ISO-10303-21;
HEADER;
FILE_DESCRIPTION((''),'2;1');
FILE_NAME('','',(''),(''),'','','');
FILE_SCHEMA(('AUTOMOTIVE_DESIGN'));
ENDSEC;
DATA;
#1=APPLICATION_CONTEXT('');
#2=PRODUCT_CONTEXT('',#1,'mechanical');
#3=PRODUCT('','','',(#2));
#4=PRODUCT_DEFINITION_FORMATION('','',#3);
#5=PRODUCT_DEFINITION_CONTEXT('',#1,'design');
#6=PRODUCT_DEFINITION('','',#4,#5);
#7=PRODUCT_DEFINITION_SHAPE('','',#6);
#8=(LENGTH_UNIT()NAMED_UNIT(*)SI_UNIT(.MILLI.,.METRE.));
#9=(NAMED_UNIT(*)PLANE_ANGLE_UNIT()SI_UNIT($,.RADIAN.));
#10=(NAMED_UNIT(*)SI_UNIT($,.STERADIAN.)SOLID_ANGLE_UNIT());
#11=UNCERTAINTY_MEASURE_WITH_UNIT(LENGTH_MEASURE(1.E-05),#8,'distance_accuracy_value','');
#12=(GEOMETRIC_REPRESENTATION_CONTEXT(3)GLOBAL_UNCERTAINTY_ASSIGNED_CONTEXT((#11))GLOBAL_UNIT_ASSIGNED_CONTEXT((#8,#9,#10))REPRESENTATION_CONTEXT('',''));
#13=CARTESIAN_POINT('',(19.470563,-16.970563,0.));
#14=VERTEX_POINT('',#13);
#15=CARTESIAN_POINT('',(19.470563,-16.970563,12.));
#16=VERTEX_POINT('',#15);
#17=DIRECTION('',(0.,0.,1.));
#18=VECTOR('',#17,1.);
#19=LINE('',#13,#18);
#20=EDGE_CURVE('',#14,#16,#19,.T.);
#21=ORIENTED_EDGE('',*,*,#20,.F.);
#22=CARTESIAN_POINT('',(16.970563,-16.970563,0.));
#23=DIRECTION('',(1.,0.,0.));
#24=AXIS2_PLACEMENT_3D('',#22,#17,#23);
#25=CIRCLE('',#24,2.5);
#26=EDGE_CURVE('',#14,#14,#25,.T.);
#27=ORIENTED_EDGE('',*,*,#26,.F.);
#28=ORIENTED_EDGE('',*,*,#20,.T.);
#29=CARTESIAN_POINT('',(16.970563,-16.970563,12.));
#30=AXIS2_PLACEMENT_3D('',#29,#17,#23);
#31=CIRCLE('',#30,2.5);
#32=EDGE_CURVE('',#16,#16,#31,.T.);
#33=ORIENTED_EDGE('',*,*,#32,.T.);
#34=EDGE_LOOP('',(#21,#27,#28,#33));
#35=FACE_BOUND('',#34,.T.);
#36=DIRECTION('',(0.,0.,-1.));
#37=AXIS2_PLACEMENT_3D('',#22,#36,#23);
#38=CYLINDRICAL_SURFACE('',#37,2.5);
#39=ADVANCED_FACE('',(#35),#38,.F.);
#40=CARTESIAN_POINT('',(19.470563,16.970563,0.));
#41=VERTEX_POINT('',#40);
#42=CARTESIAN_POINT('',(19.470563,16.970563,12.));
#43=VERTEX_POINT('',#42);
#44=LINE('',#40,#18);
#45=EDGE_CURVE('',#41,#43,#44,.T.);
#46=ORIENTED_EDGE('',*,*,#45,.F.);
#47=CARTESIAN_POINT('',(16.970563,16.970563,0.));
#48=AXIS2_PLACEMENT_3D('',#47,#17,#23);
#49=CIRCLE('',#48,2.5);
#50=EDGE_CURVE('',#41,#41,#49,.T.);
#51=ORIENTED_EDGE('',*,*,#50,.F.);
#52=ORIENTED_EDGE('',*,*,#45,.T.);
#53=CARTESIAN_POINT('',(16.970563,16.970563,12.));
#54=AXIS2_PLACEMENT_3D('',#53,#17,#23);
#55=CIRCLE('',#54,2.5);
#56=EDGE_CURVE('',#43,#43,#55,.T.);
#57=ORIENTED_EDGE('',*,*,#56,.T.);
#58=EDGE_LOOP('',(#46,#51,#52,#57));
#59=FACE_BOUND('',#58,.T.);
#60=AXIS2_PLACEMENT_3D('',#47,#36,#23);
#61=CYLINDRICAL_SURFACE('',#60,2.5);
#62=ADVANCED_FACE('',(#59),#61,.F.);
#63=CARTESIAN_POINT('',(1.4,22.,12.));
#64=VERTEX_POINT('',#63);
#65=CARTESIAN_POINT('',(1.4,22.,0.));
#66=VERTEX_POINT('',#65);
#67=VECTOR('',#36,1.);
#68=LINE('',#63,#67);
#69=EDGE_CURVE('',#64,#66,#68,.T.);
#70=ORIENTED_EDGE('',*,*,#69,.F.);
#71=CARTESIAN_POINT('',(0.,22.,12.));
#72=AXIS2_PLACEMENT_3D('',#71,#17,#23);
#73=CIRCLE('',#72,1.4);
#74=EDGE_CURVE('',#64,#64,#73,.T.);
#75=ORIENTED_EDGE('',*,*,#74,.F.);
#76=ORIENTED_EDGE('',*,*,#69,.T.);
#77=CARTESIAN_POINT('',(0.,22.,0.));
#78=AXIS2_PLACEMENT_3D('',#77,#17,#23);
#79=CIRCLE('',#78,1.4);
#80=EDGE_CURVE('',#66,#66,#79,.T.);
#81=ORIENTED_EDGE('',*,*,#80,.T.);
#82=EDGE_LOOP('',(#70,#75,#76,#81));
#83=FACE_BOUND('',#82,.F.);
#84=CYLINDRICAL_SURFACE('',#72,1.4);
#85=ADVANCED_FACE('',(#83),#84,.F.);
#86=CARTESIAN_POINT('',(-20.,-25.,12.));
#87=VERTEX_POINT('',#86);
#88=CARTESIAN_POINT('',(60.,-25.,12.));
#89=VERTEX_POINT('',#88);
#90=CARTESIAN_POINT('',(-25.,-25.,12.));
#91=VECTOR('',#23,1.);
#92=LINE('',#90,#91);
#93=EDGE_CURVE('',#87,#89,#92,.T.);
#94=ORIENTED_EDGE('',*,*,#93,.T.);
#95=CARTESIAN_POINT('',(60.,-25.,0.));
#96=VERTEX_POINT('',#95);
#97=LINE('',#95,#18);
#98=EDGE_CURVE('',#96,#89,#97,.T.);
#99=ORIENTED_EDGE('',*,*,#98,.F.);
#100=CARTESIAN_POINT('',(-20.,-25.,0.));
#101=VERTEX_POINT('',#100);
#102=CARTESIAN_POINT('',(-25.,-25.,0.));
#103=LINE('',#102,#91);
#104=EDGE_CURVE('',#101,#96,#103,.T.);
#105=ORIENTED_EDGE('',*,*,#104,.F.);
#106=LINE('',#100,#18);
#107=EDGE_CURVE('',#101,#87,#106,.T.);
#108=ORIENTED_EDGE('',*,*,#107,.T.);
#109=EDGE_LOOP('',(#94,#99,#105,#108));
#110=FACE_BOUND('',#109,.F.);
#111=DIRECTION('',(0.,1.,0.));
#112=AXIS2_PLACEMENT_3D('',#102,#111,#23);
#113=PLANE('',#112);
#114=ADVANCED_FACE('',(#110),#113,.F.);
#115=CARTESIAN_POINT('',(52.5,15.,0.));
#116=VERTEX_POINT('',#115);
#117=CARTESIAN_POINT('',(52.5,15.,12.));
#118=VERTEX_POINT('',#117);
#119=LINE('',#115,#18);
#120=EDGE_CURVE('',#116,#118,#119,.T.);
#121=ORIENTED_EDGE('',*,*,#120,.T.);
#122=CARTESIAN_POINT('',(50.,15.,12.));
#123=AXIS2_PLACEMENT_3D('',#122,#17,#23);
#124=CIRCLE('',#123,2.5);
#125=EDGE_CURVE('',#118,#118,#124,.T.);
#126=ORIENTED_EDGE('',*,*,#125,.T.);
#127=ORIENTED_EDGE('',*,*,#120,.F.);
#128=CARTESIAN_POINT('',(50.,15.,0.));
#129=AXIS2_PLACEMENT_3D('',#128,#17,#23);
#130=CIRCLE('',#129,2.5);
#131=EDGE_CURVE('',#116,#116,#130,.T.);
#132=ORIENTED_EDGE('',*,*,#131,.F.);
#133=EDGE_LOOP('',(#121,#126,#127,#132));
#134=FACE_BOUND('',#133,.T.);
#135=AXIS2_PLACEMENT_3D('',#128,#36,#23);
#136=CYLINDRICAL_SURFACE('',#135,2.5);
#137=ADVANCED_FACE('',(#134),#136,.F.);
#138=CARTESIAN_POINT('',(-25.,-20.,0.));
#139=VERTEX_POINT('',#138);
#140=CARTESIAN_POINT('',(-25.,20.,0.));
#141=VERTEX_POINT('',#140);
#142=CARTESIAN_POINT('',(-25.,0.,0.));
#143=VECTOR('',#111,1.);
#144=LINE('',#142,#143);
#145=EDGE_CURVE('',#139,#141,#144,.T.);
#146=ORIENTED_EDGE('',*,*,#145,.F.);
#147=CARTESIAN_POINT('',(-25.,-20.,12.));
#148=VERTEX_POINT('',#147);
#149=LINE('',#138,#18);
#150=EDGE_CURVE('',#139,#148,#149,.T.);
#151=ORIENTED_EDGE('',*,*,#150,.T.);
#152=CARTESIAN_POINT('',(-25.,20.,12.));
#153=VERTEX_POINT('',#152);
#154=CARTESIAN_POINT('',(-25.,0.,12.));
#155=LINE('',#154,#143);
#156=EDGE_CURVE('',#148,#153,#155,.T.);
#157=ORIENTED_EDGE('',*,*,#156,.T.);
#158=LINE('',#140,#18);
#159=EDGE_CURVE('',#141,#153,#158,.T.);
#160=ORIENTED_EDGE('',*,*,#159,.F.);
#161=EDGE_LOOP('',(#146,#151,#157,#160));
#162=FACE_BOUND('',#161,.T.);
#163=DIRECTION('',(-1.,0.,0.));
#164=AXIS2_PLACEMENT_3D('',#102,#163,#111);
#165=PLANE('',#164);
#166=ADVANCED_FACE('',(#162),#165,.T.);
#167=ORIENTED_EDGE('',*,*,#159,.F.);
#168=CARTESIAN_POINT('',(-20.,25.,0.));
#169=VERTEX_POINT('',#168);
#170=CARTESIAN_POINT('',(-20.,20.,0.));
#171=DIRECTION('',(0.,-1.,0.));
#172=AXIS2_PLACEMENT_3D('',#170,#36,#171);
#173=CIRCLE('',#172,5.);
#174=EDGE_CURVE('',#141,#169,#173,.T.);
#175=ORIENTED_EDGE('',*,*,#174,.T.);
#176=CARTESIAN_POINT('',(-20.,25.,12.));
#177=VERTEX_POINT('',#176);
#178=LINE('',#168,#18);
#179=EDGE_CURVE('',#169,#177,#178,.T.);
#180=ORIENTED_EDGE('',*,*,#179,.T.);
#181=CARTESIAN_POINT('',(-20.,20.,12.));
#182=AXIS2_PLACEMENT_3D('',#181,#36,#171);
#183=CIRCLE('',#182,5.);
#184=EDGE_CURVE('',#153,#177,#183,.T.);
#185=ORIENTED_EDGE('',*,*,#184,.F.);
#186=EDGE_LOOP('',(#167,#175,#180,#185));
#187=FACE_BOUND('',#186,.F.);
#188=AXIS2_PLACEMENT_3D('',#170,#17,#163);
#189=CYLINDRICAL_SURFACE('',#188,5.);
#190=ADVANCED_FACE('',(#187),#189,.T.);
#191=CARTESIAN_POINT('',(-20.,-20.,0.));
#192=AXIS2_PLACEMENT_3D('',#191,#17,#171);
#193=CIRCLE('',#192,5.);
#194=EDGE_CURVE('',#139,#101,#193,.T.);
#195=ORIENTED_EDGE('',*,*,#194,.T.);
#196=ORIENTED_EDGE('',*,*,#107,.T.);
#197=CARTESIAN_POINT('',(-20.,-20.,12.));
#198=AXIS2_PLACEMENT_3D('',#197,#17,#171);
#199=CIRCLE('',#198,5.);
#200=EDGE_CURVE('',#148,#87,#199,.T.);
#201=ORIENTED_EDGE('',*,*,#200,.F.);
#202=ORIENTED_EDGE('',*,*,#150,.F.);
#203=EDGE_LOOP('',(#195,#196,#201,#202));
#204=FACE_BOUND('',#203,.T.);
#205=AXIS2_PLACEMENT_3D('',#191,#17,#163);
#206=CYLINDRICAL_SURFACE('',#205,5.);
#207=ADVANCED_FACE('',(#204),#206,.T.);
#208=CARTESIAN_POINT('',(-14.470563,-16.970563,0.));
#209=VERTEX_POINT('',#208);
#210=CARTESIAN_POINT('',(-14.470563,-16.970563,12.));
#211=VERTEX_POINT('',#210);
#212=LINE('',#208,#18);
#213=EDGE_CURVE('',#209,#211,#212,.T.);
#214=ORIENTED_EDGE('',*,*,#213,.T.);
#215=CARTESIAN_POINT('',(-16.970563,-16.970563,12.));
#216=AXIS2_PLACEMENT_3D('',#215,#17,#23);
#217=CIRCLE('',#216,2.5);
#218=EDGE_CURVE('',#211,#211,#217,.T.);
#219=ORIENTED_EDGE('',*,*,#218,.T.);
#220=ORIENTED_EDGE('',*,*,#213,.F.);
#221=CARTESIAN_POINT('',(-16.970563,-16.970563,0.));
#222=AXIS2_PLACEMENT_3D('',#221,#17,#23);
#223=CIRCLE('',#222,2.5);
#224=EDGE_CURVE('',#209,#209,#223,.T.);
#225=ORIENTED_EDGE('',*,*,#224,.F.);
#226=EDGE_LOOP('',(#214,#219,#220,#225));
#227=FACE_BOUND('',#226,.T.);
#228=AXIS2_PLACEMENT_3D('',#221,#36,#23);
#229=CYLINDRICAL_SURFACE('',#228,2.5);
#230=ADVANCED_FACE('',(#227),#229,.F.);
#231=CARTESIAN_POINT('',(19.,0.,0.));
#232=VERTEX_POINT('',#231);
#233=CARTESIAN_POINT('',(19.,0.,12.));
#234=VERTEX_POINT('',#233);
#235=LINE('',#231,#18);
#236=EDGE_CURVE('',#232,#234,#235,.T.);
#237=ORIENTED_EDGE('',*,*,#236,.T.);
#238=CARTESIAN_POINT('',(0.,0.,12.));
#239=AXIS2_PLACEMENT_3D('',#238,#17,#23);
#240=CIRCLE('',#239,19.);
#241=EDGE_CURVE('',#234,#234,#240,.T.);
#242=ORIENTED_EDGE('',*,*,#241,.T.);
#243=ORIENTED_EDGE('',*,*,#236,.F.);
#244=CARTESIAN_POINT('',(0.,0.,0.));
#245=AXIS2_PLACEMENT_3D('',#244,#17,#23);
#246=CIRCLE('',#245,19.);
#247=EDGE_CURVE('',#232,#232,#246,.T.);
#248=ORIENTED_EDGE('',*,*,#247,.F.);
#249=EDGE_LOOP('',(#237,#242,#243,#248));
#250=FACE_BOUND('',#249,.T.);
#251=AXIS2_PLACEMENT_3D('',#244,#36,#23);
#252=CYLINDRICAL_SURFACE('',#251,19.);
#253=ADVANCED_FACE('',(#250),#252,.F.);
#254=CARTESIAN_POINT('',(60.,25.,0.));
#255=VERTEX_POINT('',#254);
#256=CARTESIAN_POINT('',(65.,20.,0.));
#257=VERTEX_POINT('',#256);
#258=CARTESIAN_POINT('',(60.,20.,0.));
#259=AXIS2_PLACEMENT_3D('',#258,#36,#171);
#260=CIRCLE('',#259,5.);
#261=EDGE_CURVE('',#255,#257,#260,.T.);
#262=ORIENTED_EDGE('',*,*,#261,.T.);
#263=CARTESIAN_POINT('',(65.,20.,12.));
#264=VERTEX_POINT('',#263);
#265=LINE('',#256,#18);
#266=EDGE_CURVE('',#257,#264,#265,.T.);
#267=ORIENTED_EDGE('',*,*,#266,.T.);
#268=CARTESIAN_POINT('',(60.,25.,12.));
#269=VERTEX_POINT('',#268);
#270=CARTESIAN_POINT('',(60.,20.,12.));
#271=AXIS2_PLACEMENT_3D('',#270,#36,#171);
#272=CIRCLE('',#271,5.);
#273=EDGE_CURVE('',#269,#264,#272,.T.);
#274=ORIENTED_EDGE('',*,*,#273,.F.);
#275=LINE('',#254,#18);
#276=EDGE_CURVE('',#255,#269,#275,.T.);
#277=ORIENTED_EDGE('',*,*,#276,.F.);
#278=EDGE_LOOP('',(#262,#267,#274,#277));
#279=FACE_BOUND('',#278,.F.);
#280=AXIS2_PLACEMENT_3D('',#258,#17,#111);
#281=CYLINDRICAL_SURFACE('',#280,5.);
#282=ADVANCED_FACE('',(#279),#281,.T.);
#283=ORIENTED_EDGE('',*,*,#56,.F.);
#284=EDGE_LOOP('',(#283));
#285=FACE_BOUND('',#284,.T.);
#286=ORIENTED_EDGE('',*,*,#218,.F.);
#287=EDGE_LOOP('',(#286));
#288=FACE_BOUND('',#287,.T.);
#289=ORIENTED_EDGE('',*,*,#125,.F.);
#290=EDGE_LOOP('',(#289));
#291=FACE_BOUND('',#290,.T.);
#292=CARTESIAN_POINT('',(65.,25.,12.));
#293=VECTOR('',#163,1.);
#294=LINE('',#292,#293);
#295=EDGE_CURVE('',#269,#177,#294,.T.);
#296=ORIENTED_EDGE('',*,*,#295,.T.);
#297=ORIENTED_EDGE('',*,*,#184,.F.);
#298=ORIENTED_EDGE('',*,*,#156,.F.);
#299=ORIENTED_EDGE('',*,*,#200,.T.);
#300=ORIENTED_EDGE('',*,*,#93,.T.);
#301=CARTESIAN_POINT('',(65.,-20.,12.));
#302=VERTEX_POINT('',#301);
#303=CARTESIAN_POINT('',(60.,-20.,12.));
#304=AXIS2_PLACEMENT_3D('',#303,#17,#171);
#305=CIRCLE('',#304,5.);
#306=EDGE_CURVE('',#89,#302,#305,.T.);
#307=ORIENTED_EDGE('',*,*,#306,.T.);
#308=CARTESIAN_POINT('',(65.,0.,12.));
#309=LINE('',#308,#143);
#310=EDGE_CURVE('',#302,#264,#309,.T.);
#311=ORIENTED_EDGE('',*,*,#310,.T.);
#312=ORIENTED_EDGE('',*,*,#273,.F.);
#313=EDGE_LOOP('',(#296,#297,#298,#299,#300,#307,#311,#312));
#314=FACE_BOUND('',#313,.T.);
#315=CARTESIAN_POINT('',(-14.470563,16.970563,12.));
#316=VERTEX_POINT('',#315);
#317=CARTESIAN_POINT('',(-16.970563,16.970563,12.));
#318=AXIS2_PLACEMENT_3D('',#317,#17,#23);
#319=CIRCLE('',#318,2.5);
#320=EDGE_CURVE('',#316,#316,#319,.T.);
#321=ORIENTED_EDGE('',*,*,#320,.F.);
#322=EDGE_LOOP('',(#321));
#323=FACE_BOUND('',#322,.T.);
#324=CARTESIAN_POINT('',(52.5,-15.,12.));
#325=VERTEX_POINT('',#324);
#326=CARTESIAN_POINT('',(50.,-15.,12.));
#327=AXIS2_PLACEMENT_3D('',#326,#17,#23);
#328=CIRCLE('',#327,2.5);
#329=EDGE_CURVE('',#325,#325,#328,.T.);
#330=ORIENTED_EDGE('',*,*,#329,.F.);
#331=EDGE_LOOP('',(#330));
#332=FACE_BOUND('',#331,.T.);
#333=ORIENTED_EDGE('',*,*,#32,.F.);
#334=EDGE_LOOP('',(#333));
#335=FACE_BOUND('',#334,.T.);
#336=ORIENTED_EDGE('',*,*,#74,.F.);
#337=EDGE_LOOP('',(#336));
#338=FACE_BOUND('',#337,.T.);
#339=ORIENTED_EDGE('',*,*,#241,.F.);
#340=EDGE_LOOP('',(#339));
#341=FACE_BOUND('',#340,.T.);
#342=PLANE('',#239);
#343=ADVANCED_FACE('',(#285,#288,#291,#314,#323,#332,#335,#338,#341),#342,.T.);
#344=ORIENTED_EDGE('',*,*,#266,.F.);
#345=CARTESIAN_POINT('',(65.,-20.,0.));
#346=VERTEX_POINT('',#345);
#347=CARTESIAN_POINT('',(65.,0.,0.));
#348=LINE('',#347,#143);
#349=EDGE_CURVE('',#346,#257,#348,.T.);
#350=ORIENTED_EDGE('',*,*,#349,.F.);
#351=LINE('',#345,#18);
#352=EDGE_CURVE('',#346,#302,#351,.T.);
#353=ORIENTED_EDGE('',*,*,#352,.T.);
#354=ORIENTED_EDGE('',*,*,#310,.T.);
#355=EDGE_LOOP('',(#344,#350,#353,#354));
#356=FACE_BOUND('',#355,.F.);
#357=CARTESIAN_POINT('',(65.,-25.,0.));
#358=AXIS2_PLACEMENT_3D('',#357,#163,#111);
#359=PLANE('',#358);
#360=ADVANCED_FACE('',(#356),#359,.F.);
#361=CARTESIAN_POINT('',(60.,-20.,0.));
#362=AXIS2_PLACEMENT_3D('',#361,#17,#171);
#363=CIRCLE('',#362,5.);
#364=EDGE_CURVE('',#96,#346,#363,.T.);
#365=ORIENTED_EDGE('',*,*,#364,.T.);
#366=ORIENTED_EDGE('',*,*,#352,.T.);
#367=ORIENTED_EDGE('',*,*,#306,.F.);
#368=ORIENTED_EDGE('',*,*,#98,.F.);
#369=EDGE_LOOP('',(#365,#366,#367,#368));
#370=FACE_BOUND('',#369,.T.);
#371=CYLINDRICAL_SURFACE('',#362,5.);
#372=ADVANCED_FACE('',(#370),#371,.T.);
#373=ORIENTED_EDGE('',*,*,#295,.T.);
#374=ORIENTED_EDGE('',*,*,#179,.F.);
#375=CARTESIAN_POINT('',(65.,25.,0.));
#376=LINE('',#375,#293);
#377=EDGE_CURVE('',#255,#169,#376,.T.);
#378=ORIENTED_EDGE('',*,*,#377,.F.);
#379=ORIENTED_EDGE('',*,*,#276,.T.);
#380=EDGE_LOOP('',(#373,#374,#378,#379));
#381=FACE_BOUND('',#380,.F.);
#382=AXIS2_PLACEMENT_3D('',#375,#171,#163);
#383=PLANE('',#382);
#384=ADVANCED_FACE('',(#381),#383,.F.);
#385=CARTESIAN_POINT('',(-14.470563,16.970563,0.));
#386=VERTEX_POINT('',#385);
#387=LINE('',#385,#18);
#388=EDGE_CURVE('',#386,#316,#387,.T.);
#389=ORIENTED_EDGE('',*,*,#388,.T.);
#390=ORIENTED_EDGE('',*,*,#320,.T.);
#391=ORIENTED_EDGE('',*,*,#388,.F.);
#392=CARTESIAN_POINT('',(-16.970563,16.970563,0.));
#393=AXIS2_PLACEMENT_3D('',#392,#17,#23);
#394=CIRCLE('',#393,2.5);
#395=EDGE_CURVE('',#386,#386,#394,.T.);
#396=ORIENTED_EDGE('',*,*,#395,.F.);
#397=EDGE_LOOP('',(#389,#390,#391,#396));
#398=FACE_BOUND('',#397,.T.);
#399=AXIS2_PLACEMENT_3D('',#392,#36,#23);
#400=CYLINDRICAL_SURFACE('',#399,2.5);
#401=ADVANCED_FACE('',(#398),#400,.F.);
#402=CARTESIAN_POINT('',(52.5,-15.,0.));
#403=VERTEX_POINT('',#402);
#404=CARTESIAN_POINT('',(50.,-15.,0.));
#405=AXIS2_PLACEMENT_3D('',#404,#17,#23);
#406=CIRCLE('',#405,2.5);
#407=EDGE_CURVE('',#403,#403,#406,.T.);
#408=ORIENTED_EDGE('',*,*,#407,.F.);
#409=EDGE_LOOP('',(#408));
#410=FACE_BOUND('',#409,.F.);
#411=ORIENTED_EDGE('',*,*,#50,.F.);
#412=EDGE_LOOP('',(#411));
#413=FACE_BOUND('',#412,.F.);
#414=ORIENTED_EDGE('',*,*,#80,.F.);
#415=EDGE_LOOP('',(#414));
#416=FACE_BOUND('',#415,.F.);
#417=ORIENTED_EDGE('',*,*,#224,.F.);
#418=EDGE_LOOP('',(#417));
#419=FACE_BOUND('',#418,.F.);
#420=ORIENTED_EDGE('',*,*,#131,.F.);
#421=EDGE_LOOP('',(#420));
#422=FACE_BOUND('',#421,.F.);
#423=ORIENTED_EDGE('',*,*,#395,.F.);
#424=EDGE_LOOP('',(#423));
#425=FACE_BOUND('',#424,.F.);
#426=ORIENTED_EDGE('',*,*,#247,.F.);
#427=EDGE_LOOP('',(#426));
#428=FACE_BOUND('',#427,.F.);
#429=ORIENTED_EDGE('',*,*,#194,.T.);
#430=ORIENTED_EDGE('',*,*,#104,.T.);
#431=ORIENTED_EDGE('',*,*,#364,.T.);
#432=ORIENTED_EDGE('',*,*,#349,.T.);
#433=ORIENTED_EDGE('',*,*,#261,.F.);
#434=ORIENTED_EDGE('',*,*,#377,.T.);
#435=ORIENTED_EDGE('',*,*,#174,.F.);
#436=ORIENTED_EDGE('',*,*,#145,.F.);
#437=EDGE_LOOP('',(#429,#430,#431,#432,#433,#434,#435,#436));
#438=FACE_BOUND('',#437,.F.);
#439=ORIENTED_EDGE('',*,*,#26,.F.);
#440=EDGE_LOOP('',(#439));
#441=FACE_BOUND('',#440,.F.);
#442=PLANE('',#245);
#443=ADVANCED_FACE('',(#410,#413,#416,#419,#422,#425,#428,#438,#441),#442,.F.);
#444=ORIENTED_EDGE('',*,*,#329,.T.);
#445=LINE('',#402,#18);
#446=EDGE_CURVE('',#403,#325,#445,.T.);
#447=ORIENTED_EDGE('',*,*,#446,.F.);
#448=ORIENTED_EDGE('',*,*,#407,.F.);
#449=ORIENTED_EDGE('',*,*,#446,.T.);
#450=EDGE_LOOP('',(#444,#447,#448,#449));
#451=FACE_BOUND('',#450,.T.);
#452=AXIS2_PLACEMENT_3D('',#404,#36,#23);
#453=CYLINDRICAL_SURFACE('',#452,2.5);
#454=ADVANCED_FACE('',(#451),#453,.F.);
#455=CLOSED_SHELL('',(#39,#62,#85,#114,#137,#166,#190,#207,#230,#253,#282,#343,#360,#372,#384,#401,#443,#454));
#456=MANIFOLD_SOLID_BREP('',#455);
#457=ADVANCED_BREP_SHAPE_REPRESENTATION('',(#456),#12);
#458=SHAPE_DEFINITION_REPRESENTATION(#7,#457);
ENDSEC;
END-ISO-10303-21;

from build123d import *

# Parameters (mm, degrees)
F0_W     = 50
F0_H     = 50
F0_R     = 2.5
F0_R_2   = 19
F0_W_2   = 40
F1_DEPTH = 12
F2_R     = 1.4
F3_DEPTH = 12.001
F4_R     = 5


with BuildPart() as f1:
    # F0 (on Top) → F1 (new body)
    with BuildSketch(Plane.XY):
        Rectangle(F0_W, F0_H)
        with Locations((-16.970563, -16.970563)):
            Circle(F0_R, mode=Mode.SUBTRACT)
        with Locations((16.970563, -16.970563)):
            Circle(F0_R, mode=Mode.SUBTRACT)
        Circle(F0_R_2, mode=Mode.SUBTRACT)
        with Locations((-16.970563, 16.970563)):
            Circle(F0_R, mode=Mode.SUBTRACT)
        with Locations((16.970563, 16.970563)):
            Circle(F0_R, mode=Mode.SUBTRACT)
        with Locations((45, 0)):
            Rectangle(F0_W_2, F0_H)
        with Locations((50, -15)):
            Circle(F0_R, mode=Mode.SUBTRACT)
        with Locations((50, 15)):
            Circle(F0_R, mode=Mode.SUBTRACT)
    extrude(amount=F1_DEPTH)

    # F2 (on face) → F3 (cut, through all)
    with BuildSketch(Plane.XY.offset(12)):
        with Locations((0, 22)):
            Circle(F2_R)
    extrude(amount=-F3_DEPTH, mode=Mode.SUBTRACT)

    # F4
    f4_edges = [f1.edges().sort_by_distance(p)[0] for p in [
        (65, -25, 6),
        (-25, -25, 6),
        (-25, 25, 6),
        (65, 25, 6),
    ]]
    fillet(f4_edges, radius=F4_R)


solid = f1.part
